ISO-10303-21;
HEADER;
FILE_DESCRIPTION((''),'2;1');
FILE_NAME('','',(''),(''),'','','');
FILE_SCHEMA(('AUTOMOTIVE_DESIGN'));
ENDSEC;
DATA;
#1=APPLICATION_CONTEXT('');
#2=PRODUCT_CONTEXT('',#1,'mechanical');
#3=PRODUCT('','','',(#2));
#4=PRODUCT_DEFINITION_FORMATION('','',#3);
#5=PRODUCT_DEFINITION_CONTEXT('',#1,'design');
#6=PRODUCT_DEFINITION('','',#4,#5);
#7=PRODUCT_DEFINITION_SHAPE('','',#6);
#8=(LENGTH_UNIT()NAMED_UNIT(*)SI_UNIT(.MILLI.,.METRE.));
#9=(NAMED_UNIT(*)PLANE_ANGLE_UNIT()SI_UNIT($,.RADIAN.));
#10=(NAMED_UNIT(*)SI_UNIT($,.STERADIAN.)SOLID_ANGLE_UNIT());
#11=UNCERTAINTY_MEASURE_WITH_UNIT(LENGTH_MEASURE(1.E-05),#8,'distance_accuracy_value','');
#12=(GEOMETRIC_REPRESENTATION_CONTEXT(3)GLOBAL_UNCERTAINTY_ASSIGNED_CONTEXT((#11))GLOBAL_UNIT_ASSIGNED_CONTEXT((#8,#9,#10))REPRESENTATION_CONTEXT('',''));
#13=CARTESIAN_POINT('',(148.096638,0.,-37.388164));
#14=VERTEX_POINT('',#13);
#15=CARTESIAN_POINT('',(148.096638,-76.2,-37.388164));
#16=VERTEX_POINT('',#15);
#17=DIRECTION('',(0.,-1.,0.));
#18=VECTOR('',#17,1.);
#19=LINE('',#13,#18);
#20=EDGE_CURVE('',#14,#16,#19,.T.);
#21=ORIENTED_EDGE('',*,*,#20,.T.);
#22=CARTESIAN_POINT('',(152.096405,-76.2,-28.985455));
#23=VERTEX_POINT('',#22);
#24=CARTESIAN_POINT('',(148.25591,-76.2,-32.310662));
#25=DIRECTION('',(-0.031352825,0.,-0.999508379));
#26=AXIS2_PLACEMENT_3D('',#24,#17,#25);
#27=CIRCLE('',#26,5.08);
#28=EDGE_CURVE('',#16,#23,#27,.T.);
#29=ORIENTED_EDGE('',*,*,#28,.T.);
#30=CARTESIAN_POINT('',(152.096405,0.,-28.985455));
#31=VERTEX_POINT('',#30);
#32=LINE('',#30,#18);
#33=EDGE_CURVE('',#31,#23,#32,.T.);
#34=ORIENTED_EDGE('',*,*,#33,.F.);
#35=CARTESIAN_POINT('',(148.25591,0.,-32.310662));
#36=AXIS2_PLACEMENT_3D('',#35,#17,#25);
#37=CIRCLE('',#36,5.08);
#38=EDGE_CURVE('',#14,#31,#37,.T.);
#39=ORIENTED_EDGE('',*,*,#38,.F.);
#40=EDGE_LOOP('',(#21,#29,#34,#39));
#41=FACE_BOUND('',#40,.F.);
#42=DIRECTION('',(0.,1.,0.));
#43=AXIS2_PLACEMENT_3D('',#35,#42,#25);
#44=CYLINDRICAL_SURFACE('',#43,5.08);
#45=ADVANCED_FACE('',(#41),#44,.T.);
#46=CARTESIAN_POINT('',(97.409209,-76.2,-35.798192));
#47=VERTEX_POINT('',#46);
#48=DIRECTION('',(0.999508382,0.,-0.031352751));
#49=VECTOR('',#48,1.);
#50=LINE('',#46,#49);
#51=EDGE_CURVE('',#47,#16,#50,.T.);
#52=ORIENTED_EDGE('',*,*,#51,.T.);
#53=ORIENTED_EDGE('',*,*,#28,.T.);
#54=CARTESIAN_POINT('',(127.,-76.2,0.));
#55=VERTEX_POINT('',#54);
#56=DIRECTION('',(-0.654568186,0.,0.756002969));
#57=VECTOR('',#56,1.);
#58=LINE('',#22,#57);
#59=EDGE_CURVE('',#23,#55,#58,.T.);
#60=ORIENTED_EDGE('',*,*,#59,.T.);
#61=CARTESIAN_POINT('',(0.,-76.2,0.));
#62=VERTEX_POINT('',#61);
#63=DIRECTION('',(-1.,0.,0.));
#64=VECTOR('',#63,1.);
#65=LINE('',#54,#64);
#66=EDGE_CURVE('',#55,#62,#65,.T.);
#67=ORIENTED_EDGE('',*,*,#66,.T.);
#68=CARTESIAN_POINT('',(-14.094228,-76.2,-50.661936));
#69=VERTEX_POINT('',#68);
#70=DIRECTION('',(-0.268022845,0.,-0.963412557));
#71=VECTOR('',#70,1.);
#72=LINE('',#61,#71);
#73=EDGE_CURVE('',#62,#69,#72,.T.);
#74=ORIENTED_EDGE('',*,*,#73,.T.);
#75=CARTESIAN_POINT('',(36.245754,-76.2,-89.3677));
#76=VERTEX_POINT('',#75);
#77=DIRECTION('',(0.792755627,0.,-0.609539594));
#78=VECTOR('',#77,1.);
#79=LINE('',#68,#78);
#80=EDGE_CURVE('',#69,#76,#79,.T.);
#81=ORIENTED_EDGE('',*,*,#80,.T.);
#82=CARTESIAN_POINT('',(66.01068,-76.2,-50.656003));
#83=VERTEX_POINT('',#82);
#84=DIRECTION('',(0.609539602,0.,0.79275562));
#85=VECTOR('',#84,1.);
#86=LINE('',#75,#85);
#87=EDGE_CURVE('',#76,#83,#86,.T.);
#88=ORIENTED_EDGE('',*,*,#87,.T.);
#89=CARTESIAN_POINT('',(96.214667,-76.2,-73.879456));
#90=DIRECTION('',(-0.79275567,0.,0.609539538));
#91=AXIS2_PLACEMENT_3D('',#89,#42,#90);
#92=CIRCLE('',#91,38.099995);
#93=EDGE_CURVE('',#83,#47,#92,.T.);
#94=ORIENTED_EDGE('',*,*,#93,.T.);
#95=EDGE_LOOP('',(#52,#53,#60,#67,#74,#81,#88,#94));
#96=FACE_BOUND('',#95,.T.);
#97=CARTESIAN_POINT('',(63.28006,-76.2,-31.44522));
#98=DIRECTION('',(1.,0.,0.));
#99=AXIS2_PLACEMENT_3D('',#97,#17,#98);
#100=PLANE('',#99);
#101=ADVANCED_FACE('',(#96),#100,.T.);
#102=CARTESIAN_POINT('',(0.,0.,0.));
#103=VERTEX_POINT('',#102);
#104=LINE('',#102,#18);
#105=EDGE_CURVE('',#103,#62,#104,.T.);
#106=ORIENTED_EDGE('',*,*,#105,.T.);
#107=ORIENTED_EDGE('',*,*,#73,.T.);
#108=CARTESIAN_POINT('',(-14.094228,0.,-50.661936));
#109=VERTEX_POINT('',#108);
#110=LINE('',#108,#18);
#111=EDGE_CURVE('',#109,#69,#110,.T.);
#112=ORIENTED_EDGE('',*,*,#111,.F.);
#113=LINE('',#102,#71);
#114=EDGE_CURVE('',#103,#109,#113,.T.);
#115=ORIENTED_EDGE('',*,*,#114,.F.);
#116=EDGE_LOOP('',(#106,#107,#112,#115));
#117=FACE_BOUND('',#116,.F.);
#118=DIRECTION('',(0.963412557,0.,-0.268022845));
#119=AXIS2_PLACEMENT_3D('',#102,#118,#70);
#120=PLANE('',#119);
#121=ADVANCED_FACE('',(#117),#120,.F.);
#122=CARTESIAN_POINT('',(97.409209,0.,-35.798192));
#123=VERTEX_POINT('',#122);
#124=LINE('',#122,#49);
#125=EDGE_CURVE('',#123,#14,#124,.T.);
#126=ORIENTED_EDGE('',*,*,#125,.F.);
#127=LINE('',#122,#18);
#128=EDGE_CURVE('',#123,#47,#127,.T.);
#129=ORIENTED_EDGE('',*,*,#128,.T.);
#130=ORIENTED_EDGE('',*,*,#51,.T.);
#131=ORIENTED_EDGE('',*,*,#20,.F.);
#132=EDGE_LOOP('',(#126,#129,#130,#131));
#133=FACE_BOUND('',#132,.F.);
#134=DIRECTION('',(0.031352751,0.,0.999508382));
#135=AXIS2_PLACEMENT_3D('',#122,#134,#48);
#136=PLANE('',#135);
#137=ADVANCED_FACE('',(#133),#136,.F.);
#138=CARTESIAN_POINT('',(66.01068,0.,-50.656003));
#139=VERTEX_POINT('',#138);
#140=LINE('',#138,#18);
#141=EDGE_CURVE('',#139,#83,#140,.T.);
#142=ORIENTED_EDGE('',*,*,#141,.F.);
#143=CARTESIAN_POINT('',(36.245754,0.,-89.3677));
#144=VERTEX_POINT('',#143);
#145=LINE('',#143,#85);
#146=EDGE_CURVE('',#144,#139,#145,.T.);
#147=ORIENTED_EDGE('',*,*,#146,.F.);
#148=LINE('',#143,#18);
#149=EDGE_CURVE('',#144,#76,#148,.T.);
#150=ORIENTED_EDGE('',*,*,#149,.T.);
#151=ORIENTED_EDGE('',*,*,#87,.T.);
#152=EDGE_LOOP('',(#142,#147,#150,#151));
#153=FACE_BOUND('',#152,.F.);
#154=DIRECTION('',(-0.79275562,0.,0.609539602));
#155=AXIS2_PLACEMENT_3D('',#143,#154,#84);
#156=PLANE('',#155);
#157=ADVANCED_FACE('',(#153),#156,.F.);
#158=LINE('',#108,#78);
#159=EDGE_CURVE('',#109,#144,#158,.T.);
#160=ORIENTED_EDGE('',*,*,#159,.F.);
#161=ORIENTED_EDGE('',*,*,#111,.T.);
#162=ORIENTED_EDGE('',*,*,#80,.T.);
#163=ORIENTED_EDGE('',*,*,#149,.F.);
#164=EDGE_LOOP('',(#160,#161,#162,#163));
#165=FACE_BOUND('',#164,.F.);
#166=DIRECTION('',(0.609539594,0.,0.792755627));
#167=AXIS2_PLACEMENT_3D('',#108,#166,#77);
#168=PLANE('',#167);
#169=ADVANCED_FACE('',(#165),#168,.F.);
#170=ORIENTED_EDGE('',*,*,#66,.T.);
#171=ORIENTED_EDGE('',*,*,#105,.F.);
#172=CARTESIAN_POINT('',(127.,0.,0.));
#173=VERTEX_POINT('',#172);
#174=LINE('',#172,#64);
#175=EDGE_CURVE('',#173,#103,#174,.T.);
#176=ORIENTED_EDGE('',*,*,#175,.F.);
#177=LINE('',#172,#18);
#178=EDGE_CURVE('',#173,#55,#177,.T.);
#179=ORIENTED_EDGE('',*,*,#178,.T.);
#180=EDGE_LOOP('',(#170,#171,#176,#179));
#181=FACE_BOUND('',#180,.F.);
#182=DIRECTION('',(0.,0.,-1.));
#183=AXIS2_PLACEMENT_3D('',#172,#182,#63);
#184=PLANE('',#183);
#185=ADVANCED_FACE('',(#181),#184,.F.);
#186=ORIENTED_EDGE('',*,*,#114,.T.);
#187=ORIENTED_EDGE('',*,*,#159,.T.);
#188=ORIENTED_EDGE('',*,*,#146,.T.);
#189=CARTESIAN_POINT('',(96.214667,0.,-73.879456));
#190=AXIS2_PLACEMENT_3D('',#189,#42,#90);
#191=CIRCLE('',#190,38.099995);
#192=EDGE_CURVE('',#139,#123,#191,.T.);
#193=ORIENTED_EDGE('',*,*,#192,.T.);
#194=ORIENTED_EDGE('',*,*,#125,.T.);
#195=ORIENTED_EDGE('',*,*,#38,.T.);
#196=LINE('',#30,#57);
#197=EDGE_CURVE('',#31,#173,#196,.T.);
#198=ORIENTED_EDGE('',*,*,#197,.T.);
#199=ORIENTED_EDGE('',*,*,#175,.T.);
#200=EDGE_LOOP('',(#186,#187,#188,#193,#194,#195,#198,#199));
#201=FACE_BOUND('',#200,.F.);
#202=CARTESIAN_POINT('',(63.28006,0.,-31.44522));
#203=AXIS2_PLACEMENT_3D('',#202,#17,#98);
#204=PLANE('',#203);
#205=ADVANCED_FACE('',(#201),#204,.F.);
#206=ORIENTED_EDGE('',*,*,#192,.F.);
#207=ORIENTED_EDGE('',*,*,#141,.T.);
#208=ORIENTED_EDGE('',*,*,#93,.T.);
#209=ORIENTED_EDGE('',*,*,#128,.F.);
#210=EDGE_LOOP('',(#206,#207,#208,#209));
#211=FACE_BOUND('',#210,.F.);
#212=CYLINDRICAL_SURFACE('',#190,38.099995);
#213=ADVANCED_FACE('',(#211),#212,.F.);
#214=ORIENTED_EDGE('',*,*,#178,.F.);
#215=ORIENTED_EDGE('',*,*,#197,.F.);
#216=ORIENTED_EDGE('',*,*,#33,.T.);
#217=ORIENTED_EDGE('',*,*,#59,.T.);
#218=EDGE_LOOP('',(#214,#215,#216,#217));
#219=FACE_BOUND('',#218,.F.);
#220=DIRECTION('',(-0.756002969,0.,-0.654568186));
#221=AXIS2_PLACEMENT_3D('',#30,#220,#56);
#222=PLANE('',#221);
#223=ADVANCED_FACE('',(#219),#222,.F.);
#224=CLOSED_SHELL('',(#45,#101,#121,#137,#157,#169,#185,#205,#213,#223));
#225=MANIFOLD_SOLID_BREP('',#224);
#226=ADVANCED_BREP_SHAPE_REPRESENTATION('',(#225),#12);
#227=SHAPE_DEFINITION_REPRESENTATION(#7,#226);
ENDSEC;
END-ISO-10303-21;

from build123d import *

# Parameters (mm, degrees)
F1_DEPTH = 76.2


with BuildPart() as f1:
    # F0 (on Front) → F1 (new body)
    with BuildSketch(Plane.XZ):
        with BuildLine():
            Line((152.096405, -28.985455), (127, 0))
            Line((127, 0), (0, 0))
            Line((0, 0), (-14.094228, -50.661936))
            Line((-14.094228, -50.661936), (36.245754, -89.3677))
            Line((36.245754, -89.3677), (66.01068, -50.656003))
            ThreePointArc((66.01068, -50.656003), (79.918176, -39.440612), (97.409209, -35.798192))
            Line((97.409209, -35.798192), (148.096638, -37.388164))
            ThreePointArc((148.096638, -37.388164), (152.842764, -34.494047), (152.096405, -28.985455))
        make_face()
    extrude(amount=F1_DEPTH)


solid = f1.part
